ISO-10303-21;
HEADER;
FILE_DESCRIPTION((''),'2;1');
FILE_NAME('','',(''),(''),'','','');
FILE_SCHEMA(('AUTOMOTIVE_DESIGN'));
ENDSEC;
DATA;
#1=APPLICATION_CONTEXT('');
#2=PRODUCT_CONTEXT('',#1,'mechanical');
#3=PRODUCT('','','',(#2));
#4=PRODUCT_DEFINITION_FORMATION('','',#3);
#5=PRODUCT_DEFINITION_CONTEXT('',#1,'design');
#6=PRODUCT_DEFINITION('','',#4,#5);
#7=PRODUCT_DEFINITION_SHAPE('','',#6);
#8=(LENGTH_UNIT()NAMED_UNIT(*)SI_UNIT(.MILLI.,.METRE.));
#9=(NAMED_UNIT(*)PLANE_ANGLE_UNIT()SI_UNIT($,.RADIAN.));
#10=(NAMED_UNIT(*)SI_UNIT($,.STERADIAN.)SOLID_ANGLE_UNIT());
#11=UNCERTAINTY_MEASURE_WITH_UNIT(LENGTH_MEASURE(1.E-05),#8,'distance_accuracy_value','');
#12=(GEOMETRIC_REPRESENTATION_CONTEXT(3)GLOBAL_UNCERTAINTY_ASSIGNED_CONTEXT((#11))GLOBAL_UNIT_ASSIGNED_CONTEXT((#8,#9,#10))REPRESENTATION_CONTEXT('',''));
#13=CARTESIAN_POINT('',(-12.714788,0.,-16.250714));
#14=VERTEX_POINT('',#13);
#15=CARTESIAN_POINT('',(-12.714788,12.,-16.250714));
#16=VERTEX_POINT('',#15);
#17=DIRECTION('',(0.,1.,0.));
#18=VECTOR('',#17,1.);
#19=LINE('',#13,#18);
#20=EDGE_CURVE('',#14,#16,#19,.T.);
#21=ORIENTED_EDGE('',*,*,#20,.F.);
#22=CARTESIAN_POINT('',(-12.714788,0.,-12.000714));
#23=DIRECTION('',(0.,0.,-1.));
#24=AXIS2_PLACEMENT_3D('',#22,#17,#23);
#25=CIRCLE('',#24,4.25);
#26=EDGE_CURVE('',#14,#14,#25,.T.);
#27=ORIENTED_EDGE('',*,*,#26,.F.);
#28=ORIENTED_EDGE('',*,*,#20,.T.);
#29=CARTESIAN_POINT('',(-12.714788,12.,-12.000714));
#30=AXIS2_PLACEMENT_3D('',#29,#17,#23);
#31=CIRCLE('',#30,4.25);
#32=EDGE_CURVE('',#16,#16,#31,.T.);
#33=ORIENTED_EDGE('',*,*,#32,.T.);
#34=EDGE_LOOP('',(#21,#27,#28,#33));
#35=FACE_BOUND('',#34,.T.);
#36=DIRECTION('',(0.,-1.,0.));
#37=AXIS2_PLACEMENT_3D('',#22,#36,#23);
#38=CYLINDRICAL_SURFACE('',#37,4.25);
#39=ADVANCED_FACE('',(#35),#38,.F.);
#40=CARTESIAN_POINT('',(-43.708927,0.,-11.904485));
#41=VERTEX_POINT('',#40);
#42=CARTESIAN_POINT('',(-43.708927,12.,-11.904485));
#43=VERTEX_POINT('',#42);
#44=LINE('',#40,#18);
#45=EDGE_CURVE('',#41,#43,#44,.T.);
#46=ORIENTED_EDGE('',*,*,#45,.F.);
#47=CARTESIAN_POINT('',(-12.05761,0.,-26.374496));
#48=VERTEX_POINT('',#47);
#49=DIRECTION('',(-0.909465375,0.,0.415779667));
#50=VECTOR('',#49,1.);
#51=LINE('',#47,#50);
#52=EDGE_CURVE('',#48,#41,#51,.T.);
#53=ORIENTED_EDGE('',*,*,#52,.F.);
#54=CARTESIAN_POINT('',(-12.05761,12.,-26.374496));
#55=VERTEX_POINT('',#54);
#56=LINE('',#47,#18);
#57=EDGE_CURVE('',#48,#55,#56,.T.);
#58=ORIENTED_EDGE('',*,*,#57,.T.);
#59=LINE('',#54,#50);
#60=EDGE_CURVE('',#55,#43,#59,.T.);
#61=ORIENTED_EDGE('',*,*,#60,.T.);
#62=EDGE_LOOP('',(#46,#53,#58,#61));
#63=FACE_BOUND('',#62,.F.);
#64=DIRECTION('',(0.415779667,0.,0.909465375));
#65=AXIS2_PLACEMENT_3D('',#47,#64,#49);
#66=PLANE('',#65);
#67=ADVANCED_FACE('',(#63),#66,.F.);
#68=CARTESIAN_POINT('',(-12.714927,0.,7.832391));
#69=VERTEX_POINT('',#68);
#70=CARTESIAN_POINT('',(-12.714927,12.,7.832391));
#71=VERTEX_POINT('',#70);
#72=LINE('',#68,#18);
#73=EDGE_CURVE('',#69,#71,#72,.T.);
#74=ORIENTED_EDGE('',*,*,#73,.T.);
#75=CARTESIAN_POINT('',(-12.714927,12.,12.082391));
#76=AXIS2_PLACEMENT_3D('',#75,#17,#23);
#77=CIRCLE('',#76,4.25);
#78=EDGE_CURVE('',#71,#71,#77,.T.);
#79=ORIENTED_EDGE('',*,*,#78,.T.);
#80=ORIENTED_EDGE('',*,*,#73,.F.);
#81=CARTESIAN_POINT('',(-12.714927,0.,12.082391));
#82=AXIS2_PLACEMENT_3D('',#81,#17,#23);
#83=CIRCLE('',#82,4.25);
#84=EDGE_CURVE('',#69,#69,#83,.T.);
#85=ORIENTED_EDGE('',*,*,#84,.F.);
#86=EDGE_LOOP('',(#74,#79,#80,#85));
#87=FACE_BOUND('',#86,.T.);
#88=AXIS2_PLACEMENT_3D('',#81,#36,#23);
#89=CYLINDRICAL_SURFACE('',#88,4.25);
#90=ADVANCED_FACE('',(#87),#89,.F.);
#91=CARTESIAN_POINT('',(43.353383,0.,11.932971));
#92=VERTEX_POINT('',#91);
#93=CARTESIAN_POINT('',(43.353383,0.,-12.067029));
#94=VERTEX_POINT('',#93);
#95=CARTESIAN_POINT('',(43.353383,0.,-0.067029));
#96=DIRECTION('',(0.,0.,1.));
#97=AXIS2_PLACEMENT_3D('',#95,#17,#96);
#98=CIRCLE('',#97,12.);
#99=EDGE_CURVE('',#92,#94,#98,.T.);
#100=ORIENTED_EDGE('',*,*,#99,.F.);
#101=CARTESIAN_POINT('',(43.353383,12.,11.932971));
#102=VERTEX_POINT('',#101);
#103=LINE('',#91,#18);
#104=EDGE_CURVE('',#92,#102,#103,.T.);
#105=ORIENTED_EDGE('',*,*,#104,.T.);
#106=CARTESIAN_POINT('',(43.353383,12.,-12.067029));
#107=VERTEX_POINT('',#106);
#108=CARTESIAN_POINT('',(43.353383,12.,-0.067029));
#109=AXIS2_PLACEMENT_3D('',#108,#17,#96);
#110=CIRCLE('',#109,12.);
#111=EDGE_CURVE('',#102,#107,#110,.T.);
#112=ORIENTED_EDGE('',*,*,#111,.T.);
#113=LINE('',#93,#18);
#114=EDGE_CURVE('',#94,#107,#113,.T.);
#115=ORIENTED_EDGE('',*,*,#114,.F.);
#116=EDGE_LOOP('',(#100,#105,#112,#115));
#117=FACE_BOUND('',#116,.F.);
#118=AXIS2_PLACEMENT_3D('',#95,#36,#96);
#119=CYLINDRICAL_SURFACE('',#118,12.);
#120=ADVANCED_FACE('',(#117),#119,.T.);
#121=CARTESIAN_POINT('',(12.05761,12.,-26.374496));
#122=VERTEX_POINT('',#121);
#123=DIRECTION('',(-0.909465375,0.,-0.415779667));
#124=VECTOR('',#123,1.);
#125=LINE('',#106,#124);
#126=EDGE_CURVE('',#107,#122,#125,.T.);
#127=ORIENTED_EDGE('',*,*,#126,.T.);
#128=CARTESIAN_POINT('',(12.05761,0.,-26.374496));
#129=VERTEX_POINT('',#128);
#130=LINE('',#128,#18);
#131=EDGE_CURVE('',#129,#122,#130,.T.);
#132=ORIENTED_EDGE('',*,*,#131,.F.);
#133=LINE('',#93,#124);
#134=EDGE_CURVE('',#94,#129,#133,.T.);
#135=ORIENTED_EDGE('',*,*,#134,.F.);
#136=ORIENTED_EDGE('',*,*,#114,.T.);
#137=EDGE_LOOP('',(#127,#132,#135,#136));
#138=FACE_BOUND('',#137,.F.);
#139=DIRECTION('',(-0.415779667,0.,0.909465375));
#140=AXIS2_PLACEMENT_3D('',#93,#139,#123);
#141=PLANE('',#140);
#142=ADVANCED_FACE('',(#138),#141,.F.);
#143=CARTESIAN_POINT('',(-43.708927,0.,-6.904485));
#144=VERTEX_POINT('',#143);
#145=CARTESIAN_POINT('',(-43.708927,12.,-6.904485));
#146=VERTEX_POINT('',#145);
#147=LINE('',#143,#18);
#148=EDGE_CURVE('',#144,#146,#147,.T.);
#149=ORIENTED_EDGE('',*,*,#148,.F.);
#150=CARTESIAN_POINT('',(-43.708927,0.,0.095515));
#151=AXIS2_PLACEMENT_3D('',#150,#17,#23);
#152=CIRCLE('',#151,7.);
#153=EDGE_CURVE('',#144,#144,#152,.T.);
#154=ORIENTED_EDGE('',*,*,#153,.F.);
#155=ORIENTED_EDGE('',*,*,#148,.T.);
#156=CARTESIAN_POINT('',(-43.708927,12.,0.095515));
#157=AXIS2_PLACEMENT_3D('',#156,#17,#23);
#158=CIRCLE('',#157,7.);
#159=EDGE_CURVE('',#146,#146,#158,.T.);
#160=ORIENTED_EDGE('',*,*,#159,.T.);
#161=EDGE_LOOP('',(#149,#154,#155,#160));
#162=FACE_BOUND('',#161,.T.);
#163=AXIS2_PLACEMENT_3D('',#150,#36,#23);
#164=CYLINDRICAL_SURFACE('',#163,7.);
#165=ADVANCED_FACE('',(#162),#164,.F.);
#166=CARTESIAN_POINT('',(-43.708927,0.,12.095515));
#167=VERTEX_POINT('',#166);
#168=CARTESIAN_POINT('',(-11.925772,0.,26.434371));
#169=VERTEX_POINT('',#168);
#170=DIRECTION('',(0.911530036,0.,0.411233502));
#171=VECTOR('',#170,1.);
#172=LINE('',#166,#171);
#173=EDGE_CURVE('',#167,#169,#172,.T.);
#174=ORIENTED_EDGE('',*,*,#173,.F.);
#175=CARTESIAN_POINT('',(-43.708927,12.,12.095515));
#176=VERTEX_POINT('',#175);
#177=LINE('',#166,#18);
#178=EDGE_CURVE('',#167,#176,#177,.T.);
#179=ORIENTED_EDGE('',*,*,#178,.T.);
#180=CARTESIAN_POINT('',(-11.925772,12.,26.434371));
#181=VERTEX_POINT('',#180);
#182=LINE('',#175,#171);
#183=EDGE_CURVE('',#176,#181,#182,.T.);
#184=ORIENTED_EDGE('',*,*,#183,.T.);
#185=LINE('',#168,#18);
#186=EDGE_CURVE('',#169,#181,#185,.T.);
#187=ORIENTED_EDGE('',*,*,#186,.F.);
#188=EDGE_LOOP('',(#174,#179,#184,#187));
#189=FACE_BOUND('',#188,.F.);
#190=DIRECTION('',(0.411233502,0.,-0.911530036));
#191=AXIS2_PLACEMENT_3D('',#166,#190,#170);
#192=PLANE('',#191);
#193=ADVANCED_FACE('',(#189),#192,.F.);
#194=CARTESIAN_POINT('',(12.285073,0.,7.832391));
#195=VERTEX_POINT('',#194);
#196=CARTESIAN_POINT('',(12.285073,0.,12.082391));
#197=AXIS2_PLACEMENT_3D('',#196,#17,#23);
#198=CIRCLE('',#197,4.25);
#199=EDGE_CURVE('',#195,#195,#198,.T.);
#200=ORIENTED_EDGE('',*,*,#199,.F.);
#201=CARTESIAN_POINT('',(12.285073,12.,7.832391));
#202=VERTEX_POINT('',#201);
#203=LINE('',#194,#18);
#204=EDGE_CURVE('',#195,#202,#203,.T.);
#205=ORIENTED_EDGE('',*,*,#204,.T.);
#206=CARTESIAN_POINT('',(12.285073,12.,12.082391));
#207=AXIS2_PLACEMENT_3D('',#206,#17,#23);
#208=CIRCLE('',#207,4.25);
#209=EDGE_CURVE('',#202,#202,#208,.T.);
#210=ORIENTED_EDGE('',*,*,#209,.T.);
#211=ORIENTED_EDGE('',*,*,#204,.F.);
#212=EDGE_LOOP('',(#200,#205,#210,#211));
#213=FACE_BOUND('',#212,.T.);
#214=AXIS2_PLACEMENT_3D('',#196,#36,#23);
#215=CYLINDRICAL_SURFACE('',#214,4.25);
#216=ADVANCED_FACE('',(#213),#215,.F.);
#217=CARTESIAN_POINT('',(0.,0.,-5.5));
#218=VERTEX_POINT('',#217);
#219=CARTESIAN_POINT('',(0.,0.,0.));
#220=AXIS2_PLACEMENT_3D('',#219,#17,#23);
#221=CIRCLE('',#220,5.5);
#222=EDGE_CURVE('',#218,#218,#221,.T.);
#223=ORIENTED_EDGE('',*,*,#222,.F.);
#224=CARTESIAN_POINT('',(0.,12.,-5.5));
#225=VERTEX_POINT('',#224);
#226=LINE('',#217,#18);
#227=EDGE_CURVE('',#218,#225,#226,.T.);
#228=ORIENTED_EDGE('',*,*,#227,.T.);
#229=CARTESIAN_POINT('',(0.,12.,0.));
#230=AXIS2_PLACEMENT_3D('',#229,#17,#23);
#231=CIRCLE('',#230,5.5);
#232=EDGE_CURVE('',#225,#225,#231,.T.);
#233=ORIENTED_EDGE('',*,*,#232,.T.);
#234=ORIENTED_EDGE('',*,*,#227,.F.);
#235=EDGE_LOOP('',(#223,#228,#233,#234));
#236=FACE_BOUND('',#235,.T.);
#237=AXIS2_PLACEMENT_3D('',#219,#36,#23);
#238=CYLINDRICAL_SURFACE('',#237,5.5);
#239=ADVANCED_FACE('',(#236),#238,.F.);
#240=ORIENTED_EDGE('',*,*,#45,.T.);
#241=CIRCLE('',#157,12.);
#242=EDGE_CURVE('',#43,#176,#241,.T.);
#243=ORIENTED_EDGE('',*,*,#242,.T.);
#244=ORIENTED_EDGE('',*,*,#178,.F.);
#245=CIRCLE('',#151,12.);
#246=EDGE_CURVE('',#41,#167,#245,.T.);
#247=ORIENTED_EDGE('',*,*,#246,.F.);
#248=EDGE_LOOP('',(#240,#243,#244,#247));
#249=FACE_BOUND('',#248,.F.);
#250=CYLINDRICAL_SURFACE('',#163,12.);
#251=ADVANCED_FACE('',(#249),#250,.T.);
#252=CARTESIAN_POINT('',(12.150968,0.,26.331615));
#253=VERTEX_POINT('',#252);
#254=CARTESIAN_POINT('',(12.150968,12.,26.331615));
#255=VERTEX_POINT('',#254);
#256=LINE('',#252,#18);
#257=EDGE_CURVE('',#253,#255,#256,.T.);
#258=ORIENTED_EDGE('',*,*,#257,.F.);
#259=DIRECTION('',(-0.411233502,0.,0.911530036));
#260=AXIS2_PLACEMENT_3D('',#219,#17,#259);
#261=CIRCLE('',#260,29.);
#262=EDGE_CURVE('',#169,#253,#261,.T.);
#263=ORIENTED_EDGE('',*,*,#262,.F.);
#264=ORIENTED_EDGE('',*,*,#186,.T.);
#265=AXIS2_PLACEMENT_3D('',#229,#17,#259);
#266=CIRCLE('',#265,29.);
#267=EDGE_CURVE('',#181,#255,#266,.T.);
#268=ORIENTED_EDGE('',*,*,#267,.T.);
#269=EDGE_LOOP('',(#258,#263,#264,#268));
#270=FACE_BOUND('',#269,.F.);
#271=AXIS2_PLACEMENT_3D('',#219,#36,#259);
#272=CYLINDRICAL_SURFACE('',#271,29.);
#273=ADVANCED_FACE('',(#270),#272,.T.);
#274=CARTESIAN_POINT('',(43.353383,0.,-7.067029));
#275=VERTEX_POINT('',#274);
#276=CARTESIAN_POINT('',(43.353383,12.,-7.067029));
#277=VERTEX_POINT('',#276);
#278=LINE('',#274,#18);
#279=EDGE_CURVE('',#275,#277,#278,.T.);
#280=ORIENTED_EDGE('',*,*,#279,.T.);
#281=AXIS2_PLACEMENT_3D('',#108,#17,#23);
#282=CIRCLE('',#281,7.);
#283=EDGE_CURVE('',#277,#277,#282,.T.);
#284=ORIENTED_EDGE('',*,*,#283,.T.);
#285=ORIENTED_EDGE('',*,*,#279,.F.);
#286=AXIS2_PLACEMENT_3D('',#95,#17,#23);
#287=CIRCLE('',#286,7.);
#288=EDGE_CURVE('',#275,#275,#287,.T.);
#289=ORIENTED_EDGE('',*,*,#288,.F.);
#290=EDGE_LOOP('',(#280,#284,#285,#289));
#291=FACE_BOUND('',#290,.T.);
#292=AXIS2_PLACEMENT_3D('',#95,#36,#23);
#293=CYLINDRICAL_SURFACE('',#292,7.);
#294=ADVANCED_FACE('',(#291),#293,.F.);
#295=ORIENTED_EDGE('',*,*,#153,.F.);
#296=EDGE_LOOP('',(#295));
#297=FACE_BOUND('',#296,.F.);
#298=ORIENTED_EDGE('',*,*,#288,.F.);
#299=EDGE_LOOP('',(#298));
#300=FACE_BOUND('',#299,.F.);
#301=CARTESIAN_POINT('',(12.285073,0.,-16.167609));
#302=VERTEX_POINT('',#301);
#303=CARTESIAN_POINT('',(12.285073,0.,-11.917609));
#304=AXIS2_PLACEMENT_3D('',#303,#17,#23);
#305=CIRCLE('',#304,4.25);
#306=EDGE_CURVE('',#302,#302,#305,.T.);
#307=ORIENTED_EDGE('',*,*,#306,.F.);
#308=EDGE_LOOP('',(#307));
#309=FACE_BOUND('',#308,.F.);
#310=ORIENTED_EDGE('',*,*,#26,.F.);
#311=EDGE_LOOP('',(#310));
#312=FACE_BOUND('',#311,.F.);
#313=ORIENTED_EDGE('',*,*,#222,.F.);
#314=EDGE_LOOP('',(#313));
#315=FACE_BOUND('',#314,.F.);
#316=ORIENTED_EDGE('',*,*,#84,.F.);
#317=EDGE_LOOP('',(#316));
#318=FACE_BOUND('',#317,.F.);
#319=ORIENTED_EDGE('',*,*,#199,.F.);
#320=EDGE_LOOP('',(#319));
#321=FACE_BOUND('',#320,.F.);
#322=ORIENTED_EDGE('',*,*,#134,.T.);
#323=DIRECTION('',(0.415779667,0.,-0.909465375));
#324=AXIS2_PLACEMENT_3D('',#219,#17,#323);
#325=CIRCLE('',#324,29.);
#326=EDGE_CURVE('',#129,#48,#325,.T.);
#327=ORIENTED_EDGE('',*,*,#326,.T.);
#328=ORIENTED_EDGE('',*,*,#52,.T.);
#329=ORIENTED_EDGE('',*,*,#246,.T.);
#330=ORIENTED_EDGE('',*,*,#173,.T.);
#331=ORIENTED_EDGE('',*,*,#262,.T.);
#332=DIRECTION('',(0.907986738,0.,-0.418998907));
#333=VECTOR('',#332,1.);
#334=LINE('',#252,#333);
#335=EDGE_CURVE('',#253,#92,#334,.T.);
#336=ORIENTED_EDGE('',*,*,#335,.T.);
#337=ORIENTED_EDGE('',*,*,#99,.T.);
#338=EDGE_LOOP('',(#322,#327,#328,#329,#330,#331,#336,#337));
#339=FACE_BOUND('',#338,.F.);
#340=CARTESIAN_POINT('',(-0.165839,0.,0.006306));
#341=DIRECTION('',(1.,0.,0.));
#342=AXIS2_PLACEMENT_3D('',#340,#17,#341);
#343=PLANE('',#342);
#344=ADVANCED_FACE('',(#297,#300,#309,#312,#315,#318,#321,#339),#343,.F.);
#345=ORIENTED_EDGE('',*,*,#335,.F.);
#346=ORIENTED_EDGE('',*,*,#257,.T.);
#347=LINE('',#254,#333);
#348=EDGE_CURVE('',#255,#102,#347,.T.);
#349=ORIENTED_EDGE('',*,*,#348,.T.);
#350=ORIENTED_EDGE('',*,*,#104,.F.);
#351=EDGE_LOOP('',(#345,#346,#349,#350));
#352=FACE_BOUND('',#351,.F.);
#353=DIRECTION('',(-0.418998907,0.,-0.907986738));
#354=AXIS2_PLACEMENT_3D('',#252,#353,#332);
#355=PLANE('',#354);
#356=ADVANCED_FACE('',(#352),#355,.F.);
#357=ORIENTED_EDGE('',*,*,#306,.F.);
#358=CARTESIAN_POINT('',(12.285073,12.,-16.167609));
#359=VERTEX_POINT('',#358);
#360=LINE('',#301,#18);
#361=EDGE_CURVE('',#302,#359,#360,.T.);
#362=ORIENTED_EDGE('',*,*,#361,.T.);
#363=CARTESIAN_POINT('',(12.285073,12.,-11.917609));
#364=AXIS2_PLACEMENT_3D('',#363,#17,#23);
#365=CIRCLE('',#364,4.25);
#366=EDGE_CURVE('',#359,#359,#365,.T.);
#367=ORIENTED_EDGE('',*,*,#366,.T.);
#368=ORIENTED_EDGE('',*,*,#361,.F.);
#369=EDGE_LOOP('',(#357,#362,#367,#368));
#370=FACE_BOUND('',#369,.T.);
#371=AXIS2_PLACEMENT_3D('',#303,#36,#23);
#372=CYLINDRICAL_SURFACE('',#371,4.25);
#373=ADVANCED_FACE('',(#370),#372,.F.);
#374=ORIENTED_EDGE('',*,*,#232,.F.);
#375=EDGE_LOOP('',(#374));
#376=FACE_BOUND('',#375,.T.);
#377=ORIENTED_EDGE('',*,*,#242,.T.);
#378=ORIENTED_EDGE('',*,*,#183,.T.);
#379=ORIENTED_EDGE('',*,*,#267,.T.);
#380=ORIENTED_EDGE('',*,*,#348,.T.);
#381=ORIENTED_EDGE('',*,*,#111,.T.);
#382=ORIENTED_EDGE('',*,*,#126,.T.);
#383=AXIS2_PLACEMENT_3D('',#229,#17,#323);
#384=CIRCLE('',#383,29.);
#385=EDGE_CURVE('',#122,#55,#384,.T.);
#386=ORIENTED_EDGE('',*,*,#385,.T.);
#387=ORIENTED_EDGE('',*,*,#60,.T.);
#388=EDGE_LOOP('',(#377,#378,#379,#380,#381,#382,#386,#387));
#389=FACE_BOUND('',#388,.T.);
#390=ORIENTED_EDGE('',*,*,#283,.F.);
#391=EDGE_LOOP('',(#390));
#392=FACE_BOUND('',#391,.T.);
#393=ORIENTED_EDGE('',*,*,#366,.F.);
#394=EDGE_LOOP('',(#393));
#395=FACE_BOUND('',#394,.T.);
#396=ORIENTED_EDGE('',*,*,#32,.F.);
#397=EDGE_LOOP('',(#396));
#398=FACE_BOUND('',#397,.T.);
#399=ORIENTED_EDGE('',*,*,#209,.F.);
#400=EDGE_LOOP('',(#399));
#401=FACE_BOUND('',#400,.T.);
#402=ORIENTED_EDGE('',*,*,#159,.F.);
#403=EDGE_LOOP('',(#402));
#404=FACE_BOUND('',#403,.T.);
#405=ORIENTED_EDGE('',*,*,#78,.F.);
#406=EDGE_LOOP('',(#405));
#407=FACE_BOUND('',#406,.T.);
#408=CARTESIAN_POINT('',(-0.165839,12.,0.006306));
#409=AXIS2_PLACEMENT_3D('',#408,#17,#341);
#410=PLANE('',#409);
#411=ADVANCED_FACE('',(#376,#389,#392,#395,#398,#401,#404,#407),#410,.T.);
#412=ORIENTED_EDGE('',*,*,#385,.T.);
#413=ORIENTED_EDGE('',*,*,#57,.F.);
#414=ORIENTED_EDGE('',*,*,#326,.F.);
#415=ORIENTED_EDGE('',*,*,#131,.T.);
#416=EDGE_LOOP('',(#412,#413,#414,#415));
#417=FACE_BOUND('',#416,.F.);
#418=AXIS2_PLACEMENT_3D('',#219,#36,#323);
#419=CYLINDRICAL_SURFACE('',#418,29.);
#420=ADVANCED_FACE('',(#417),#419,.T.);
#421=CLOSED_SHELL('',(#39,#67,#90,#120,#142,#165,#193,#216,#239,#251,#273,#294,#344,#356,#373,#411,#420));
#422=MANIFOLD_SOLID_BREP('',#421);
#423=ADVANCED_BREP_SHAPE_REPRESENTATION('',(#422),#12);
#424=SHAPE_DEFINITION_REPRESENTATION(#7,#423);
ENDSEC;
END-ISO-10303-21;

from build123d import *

# Parameters (mm, degrees)
ESBO_O2_R                = 4.25
ESBO_O2_R_2              = 5.5
ESBO_O2_R_3              = 7
RESSALTO_EXTRUS_O2_DEPTH = 12


with BuildPart() as part:
    # Esboço2 → Ressalto-extrusão2 (new body)
    with BuildSketch(Plane(origin=(0, 0, 0), x_dir=(1, 0, 0), z_dir=(0, 1, 0))):
        with BuildLine():
            Line((-12.057610331, 26.374495883), (-43.708926586, 11.904485175))
            ThreePointArc((-43.708926586, 11.904485175), (-55.708926586, -0.095514825), (-43.708926586, -12.095514825))
            Line((-43.708926586, -12.095514825), (-11.925771547, -26.434371054))
            ThreePointArc((-11.925771547, -26.434371054), (0.12376622, -28.999735894), (12.150968312, -26.331615391))
            Line((12.150968312, -26.331615391), (43.35338336, -11.93297137))
            ThreePointArc((43.35338336, -11.93297137), (55.35338336, 0.06702863), (43.35338336, 12.06702863))
            Line((43.35338336, 12.06702863), (12.057610331, 26.374495883))
            ThreePointArc((12.057610331, 26.374495883), (0, 29), (-12.057610331, 26.374495883))
        make_face()
        with Locations(Location((-12.714926554, -12.082390656, 0), (0, 0, 90))):
            Circle(ESBO_O2_R, mode=Mode.SUBTRACT)
        with Locations(Location((12.285073446, -12.082390656, 0), (0, 0, 90))):
            Circle(ESBO_O2_R, mode=Mode.SUBTRACT)
        with Locations(Location((0, 0, 0), (0, 0, 90))):
            Circle(ESBO_O2_R_2, mode=Mode.SUBTRACT)
        with Locations(Location((-12.714788426, 12.000714001, 0), (0, 0, 90))):
            Circle(ESBO_O2_R, mode=Mode.SUBTRACT)
        with Locations(Location((12.285073446, 11.917609344, 0), (0, 0, 90))):
            Circle(ESBO_O2_R, mode=Mode.SUBTRACT)
        with Locations(Location((-43.708926586, -0.095514825, 0), (0, 0, 90))):
            Circle(ESBO_O2_R_3, mode=Mode.SUBTRACT)
        with Locations(Location((43.35338336, 0.06702863, 0), (0, 0, 90))):
            Circle(ESBO_O2_R_3, mode=Mode.SUBTRACT)
    extrude(amount=RESSALTO_EXTRUS_O2_DEPTH)


solid = part.part
